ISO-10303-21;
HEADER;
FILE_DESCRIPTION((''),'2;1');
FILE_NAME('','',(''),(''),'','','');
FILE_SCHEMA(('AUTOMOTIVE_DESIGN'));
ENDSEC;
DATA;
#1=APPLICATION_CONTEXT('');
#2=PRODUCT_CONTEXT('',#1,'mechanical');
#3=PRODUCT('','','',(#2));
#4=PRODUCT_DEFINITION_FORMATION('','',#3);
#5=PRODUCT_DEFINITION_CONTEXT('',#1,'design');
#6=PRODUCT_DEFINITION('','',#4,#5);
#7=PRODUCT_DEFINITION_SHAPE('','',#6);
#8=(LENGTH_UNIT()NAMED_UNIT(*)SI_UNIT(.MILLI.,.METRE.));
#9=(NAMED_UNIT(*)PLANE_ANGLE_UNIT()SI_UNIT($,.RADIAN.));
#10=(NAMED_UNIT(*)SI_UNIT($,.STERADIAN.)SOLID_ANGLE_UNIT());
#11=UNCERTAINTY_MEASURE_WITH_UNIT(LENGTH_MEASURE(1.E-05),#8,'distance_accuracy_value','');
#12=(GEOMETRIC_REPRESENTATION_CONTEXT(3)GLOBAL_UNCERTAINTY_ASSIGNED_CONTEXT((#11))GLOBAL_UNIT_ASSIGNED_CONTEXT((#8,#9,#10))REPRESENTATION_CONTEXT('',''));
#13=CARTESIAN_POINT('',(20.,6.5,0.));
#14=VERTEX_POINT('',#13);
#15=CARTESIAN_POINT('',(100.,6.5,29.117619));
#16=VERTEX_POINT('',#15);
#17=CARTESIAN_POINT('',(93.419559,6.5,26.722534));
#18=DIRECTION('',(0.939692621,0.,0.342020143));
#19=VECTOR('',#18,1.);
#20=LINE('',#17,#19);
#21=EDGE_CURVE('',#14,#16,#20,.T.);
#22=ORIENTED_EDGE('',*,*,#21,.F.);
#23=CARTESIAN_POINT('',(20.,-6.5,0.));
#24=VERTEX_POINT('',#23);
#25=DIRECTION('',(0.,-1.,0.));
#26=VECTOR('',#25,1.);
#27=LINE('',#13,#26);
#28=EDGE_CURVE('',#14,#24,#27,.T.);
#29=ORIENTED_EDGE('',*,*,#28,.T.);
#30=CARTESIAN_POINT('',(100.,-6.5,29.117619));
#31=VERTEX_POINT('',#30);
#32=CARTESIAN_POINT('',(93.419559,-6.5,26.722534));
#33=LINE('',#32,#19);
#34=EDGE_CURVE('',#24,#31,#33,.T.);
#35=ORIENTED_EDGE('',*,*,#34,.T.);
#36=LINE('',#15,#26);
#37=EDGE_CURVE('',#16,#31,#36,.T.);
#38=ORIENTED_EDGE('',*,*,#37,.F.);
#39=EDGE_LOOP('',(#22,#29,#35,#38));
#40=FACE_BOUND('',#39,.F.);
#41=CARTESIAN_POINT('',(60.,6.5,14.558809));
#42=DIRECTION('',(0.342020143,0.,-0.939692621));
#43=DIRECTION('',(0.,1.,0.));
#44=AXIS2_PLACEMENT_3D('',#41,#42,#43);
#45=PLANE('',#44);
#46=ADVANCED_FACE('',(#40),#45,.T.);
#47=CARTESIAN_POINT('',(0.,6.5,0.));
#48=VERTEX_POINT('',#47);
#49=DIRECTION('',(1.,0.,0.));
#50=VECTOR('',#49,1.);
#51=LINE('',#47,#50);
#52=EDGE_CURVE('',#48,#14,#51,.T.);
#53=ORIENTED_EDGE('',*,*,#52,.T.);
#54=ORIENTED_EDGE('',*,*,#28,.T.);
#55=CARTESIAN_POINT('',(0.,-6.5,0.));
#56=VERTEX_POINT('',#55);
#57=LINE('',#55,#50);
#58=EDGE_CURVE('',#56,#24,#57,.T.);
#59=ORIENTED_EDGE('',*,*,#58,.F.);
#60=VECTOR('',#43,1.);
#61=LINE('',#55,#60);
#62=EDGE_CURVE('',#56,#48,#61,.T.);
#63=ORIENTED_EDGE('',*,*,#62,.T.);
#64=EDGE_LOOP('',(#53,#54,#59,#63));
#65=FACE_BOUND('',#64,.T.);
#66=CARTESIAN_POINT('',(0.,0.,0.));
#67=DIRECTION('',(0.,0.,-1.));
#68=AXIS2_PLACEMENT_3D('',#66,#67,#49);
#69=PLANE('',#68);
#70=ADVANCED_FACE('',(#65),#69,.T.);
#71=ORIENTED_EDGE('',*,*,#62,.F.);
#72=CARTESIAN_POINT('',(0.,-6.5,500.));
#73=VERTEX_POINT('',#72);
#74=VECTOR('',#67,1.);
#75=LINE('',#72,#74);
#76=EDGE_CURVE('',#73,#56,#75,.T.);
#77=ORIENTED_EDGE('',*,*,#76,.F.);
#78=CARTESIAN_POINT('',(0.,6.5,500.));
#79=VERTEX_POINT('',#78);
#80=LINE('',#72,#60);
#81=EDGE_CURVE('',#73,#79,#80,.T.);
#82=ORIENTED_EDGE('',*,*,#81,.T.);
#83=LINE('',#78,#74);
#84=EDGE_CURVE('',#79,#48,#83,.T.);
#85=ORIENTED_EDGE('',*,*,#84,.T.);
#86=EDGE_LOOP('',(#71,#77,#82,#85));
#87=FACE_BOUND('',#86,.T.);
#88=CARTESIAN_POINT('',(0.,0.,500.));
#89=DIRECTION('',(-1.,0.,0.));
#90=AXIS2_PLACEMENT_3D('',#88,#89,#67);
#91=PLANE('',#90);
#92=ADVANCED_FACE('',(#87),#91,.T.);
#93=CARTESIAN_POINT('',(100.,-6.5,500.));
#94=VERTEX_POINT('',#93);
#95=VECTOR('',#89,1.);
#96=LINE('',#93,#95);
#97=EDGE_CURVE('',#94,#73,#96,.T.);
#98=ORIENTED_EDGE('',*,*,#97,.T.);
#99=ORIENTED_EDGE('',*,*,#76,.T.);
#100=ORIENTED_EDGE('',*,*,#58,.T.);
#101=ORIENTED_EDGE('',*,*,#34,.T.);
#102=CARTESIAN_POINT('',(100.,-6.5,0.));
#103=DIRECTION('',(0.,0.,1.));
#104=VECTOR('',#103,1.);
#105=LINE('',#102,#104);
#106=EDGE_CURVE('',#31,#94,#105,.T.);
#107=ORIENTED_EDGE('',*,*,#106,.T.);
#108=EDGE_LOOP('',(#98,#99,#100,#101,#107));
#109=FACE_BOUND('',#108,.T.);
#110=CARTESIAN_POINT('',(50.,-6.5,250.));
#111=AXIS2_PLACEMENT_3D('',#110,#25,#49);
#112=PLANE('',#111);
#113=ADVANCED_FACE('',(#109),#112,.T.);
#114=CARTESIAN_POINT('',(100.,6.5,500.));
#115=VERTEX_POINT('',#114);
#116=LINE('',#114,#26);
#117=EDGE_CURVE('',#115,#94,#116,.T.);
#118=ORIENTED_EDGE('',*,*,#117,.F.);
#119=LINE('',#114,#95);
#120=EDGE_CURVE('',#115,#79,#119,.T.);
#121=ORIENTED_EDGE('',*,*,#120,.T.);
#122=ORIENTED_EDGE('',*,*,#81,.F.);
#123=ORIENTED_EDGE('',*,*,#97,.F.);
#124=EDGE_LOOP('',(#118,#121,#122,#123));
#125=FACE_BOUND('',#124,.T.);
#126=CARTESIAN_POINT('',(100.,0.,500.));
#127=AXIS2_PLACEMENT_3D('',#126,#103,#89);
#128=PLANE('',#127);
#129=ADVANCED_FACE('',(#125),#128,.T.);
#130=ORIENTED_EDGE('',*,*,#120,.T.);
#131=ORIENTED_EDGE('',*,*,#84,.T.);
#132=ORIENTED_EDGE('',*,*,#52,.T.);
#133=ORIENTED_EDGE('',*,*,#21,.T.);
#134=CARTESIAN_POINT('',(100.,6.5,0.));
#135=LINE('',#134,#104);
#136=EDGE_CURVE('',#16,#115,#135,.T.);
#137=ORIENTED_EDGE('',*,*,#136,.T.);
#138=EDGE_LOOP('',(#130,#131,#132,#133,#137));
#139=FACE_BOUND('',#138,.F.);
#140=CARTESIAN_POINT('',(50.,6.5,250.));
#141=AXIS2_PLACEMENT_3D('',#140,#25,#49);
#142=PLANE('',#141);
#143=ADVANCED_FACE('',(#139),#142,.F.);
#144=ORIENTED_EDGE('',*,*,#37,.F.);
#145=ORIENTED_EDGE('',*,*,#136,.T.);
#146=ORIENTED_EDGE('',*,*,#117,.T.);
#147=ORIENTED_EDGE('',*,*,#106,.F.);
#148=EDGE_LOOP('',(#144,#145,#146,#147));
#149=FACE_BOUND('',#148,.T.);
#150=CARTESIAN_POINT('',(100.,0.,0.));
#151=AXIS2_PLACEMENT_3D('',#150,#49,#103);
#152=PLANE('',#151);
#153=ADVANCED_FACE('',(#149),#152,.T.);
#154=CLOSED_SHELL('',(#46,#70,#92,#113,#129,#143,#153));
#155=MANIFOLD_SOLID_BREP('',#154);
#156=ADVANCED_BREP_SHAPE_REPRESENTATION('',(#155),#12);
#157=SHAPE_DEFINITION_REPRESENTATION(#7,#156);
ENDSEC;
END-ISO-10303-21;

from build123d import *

# Parameters (mm, degrees)
PAD_DEPTH     = 6.5
CHAMFER_ANGLE = 20
CHAMFER_SIZE  = 80


with BuildPart() as part:
    # Sketch → Pad (new body, symmetric)
    with BuildSketch(Plane.XZ):
        Polygon((0, 0), (100, 0), (100, 500), (0, 500), (0, 1), align=None)
    extrude(amount=PAD_DEPTH, both=True)

    # Chamfer
    chamfer_edges = [part.edges().sort_by_distance(p)[0] for p in [
        (100, 0, 0),
    ]]
    chamfer_side = part.faces().sort_by_distance((50, 0, 0))[0]
    chamfer(chamfer_edges, length=CHAMFER_SIZE, angle=CHAMFER_ANGLE, reference=chamfer_side)


solid = part.part
